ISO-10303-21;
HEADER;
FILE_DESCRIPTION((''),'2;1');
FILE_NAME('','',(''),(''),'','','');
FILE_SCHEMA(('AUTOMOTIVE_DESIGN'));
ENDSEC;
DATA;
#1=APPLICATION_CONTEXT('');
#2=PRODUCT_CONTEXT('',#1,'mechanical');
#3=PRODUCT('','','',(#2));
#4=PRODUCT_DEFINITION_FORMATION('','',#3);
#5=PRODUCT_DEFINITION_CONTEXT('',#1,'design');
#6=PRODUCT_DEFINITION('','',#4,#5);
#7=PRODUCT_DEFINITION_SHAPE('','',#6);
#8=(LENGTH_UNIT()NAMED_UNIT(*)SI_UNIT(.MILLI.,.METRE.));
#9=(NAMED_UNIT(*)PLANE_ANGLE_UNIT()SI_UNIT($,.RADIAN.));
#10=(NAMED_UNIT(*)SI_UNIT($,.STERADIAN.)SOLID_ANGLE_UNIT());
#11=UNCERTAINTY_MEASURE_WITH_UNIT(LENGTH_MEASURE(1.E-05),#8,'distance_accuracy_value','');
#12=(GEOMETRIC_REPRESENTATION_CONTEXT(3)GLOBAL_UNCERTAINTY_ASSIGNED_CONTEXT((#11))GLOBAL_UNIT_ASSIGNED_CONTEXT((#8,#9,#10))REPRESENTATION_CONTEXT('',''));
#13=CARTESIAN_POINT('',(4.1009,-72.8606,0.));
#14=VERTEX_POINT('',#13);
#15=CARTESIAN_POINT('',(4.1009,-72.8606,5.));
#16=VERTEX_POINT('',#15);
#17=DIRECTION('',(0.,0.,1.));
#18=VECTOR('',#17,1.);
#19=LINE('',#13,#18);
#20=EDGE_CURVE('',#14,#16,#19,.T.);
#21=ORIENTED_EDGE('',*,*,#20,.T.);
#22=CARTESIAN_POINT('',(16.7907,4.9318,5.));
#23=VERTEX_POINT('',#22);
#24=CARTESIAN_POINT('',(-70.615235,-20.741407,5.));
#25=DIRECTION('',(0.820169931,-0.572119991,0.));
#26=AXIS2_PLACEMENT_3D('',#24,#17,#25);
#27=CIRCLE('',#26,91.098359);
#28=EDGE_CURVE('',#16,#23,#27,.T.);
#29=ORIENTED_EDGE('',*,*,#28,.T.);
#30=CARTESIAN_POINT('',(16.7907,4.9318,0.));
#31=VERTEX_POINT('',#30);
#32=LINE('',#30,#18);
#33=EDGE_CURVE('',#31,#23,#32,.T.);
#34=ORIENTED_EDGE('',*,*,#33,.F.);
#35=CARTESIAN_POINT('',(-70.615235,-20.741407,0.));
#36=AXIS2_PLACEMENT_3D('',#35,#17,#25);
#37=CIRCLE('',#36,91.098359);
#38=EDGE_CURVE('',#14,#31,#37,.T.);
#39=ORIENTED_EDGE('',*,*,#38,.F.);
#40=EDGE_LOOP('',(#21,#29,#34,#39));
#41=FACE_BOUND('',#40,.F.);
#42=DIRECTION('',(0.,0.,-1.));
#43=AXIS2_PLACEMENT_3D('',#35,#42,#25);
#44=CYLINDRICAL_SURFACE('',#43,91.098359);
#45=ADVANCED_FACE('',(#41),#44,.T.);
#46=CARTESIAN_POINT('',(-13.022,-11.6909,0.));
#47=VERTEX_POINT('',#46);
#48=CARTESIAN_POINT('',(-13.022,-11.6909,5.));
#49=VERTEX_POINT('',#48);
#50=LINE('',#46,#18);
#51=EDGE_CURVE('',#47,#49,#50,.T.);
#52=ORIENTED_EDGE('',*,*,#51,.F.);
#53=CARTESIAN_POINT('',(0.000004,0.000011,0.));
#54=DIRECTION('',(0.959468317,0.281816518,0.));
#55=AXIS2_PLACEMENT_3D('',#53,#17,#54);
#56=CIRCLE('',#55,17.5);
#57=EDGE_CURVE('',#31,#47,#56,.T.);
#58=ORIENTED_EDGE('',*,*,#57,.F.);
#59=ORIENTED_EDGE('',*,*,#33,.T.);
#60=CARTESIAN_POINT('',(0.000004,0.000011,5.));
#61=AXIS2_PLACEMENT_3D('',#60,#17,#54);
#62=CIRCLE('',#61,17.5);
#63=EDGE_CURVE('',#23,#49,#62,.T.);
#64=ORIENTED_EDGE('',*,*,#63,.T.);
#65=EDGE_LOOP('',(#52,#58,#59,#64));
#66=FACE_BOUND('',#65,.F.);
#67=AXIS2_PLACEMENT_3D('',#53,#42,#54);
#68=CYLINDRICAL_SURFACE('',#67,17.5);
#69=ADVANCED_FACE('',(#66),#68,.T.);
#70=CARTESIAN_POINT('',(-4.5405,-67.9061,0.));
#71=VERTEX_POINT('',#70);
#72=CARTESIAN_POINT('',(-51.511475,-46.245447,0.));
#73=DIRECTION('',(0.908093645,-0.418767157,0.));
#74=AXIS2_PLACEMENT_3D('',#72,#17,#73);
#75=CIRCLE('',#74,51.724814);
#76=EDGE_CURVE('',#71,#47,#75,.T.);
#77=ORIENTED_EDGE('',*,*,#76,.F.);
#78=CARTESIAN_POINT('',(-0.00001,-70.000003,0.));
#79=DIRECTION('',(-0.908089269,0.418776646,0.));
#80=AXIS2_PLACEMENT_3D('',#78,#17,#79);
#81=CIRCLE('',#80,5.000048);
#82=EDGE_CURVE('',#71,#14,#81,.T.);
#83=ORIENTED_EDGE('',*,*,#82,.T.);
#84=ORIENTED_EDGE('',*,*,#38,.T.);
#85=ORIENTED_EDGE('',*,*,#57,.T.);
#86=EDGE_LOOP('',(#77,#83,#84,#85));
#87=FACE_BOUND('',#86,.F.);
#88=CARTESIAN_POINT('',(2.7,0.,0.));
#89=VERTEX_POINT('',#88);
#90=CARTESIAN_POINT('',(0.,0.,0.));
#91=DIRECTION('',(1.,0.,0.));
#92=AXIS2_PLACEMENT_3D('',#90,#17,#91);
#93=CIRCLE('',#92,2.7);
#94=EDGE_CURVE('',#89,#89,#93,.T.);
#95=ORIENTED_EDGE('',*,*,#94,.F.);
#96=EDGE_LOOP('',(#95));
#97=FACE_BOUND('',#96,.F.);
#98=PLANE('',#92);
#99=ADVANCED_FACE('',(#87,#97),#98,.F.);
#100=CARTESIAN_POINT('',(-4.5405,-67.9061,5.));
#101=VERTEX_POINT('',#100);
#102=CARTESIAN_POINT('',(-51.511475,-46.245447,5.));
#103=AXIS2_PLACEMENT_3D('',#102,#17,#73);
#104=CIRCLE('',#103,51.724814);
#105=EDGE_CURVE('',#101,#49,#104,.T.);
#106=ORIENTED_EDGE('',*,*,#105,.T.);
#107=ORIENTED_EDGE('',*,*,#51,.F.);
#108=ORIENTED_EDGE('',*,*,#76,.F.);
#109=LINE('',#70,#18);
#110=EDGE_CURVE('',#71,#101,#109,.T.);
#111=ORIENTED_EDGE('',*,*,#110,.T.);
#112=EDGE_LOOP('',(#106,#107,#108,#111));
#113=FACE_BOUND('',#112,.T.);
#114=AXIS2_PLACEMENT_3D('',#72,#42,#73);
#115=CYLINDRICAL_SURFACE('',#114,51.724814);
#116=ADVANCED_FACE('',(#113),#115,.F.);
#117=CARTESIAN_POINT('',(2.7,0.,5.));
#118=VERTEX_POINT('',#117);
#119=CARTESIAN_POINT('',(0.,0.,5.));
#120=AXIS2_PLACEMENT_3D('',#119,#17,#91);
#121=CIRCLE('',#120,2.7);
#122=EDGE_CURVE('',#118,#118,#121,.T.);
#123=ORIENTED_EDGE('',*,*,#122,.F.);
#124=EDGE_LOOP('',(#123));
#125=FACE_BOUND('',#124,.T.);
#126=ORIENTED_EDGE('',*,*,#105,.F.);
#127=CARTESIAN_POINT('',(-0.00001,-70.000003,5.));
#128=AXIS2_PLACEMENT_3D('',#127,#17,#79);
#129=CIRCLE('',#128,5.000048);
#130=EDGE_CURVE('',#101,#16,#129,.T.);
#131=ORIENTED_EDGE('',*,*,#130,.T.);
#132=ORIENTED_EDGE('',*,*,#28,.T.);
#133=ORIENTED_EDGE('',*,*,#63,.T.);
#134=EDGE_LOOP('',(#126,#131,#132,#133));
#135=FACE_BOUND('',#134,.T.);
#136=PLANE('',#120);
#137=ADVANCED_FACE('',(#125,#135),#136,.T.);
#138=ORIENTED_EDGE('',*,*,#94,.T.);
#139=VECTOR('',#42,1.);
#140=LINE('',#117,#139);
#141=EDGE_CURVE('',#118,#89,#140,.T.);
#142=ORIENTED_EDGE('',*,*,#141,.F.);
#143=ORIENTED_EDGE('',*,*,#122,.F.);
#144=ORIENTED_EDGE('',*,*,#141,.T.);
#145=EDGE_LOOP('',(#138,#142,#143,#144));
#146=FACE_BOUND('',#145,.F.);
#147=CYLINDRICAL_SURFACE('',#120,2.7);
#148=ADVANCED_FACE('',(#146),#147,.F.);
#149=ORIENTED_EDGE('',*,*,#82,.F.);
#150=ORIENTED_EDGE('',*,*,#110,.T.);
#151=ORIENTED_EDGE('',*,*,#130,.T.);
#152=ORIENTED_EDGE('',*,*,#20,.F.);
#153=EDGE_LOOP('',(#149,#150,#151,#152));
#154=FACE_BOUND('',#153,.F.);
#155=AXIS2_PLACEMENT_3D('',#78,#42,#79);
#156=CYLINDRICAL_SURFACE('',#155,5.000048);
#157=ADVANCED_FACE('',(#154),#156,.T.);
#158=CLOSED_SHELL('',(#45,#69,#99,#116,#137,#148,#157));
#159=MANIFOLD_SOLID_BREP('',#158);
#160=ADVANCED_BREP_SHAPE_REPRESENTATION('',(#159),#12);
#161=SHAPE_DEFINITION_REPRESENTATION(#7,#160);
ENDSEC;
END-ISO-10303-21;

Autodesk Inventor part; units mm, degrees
ref_plane "YZ Plane" through (0, 0, 0) normal (1, 0, 0) x (0, 1, 0)
ref_plane "XZ Plane" through (0, 0, 0) normal (0, 1, 0) x (-1, 0, 0)
ref_plane "XY Plane" through (0, 0, 0) normal (0, 0, 1) x (1, 0, 0)
sketch "Sketch1" plane through (0, 0, 0) normal (0, 0, 1) x (1, 0, 0)
  arc A0 (16.7907, 4.9318) -> (-13.022, -11.6909) centre (0, 0) ccw
  arc A1 (-4.5405, -67.9061) -> (4.1009, -72.8606) centre (0, -70) ccw
  arc A2 (4.1009, -72.8606) -> (16.7907, 4.9318) centre (-70.6155, -20.7413) ccw
  arc A3 (-4.5405, -67.9061) -> (-13.022, -11.6909) centre (-51.5111, -46.2455) ccw
  dimension "d0" = 35
  dimension "d1" = 10
  dimension "d2" = 70
  dimension "d3" = 182.1971
  dimension "d7" = 103.4491
extrude "Extrusion1" add sketch "Sketch1" along normal blind 5
sketch "Sketch2" plane through (0, 0, 5) normal (0, 0, 1) x (1, 0, 0)
  circle A0 centre (0, 0) radius 2.7
  dimension "d8" = 5.4
extrude "Extrusion2" cut sketch "Sketch2" against normal through all
sketch "Sketch3" plane through (0, 0, 5) normal (0, 0, 1) x (1, 0, 0)
  arc A0 (-4.5405, -67.9061) -> (4.1009, -72.8606) centre (0, -70) ccw projected
  point P0 (0, 0)
properties part number "shooter_3DPrint"
